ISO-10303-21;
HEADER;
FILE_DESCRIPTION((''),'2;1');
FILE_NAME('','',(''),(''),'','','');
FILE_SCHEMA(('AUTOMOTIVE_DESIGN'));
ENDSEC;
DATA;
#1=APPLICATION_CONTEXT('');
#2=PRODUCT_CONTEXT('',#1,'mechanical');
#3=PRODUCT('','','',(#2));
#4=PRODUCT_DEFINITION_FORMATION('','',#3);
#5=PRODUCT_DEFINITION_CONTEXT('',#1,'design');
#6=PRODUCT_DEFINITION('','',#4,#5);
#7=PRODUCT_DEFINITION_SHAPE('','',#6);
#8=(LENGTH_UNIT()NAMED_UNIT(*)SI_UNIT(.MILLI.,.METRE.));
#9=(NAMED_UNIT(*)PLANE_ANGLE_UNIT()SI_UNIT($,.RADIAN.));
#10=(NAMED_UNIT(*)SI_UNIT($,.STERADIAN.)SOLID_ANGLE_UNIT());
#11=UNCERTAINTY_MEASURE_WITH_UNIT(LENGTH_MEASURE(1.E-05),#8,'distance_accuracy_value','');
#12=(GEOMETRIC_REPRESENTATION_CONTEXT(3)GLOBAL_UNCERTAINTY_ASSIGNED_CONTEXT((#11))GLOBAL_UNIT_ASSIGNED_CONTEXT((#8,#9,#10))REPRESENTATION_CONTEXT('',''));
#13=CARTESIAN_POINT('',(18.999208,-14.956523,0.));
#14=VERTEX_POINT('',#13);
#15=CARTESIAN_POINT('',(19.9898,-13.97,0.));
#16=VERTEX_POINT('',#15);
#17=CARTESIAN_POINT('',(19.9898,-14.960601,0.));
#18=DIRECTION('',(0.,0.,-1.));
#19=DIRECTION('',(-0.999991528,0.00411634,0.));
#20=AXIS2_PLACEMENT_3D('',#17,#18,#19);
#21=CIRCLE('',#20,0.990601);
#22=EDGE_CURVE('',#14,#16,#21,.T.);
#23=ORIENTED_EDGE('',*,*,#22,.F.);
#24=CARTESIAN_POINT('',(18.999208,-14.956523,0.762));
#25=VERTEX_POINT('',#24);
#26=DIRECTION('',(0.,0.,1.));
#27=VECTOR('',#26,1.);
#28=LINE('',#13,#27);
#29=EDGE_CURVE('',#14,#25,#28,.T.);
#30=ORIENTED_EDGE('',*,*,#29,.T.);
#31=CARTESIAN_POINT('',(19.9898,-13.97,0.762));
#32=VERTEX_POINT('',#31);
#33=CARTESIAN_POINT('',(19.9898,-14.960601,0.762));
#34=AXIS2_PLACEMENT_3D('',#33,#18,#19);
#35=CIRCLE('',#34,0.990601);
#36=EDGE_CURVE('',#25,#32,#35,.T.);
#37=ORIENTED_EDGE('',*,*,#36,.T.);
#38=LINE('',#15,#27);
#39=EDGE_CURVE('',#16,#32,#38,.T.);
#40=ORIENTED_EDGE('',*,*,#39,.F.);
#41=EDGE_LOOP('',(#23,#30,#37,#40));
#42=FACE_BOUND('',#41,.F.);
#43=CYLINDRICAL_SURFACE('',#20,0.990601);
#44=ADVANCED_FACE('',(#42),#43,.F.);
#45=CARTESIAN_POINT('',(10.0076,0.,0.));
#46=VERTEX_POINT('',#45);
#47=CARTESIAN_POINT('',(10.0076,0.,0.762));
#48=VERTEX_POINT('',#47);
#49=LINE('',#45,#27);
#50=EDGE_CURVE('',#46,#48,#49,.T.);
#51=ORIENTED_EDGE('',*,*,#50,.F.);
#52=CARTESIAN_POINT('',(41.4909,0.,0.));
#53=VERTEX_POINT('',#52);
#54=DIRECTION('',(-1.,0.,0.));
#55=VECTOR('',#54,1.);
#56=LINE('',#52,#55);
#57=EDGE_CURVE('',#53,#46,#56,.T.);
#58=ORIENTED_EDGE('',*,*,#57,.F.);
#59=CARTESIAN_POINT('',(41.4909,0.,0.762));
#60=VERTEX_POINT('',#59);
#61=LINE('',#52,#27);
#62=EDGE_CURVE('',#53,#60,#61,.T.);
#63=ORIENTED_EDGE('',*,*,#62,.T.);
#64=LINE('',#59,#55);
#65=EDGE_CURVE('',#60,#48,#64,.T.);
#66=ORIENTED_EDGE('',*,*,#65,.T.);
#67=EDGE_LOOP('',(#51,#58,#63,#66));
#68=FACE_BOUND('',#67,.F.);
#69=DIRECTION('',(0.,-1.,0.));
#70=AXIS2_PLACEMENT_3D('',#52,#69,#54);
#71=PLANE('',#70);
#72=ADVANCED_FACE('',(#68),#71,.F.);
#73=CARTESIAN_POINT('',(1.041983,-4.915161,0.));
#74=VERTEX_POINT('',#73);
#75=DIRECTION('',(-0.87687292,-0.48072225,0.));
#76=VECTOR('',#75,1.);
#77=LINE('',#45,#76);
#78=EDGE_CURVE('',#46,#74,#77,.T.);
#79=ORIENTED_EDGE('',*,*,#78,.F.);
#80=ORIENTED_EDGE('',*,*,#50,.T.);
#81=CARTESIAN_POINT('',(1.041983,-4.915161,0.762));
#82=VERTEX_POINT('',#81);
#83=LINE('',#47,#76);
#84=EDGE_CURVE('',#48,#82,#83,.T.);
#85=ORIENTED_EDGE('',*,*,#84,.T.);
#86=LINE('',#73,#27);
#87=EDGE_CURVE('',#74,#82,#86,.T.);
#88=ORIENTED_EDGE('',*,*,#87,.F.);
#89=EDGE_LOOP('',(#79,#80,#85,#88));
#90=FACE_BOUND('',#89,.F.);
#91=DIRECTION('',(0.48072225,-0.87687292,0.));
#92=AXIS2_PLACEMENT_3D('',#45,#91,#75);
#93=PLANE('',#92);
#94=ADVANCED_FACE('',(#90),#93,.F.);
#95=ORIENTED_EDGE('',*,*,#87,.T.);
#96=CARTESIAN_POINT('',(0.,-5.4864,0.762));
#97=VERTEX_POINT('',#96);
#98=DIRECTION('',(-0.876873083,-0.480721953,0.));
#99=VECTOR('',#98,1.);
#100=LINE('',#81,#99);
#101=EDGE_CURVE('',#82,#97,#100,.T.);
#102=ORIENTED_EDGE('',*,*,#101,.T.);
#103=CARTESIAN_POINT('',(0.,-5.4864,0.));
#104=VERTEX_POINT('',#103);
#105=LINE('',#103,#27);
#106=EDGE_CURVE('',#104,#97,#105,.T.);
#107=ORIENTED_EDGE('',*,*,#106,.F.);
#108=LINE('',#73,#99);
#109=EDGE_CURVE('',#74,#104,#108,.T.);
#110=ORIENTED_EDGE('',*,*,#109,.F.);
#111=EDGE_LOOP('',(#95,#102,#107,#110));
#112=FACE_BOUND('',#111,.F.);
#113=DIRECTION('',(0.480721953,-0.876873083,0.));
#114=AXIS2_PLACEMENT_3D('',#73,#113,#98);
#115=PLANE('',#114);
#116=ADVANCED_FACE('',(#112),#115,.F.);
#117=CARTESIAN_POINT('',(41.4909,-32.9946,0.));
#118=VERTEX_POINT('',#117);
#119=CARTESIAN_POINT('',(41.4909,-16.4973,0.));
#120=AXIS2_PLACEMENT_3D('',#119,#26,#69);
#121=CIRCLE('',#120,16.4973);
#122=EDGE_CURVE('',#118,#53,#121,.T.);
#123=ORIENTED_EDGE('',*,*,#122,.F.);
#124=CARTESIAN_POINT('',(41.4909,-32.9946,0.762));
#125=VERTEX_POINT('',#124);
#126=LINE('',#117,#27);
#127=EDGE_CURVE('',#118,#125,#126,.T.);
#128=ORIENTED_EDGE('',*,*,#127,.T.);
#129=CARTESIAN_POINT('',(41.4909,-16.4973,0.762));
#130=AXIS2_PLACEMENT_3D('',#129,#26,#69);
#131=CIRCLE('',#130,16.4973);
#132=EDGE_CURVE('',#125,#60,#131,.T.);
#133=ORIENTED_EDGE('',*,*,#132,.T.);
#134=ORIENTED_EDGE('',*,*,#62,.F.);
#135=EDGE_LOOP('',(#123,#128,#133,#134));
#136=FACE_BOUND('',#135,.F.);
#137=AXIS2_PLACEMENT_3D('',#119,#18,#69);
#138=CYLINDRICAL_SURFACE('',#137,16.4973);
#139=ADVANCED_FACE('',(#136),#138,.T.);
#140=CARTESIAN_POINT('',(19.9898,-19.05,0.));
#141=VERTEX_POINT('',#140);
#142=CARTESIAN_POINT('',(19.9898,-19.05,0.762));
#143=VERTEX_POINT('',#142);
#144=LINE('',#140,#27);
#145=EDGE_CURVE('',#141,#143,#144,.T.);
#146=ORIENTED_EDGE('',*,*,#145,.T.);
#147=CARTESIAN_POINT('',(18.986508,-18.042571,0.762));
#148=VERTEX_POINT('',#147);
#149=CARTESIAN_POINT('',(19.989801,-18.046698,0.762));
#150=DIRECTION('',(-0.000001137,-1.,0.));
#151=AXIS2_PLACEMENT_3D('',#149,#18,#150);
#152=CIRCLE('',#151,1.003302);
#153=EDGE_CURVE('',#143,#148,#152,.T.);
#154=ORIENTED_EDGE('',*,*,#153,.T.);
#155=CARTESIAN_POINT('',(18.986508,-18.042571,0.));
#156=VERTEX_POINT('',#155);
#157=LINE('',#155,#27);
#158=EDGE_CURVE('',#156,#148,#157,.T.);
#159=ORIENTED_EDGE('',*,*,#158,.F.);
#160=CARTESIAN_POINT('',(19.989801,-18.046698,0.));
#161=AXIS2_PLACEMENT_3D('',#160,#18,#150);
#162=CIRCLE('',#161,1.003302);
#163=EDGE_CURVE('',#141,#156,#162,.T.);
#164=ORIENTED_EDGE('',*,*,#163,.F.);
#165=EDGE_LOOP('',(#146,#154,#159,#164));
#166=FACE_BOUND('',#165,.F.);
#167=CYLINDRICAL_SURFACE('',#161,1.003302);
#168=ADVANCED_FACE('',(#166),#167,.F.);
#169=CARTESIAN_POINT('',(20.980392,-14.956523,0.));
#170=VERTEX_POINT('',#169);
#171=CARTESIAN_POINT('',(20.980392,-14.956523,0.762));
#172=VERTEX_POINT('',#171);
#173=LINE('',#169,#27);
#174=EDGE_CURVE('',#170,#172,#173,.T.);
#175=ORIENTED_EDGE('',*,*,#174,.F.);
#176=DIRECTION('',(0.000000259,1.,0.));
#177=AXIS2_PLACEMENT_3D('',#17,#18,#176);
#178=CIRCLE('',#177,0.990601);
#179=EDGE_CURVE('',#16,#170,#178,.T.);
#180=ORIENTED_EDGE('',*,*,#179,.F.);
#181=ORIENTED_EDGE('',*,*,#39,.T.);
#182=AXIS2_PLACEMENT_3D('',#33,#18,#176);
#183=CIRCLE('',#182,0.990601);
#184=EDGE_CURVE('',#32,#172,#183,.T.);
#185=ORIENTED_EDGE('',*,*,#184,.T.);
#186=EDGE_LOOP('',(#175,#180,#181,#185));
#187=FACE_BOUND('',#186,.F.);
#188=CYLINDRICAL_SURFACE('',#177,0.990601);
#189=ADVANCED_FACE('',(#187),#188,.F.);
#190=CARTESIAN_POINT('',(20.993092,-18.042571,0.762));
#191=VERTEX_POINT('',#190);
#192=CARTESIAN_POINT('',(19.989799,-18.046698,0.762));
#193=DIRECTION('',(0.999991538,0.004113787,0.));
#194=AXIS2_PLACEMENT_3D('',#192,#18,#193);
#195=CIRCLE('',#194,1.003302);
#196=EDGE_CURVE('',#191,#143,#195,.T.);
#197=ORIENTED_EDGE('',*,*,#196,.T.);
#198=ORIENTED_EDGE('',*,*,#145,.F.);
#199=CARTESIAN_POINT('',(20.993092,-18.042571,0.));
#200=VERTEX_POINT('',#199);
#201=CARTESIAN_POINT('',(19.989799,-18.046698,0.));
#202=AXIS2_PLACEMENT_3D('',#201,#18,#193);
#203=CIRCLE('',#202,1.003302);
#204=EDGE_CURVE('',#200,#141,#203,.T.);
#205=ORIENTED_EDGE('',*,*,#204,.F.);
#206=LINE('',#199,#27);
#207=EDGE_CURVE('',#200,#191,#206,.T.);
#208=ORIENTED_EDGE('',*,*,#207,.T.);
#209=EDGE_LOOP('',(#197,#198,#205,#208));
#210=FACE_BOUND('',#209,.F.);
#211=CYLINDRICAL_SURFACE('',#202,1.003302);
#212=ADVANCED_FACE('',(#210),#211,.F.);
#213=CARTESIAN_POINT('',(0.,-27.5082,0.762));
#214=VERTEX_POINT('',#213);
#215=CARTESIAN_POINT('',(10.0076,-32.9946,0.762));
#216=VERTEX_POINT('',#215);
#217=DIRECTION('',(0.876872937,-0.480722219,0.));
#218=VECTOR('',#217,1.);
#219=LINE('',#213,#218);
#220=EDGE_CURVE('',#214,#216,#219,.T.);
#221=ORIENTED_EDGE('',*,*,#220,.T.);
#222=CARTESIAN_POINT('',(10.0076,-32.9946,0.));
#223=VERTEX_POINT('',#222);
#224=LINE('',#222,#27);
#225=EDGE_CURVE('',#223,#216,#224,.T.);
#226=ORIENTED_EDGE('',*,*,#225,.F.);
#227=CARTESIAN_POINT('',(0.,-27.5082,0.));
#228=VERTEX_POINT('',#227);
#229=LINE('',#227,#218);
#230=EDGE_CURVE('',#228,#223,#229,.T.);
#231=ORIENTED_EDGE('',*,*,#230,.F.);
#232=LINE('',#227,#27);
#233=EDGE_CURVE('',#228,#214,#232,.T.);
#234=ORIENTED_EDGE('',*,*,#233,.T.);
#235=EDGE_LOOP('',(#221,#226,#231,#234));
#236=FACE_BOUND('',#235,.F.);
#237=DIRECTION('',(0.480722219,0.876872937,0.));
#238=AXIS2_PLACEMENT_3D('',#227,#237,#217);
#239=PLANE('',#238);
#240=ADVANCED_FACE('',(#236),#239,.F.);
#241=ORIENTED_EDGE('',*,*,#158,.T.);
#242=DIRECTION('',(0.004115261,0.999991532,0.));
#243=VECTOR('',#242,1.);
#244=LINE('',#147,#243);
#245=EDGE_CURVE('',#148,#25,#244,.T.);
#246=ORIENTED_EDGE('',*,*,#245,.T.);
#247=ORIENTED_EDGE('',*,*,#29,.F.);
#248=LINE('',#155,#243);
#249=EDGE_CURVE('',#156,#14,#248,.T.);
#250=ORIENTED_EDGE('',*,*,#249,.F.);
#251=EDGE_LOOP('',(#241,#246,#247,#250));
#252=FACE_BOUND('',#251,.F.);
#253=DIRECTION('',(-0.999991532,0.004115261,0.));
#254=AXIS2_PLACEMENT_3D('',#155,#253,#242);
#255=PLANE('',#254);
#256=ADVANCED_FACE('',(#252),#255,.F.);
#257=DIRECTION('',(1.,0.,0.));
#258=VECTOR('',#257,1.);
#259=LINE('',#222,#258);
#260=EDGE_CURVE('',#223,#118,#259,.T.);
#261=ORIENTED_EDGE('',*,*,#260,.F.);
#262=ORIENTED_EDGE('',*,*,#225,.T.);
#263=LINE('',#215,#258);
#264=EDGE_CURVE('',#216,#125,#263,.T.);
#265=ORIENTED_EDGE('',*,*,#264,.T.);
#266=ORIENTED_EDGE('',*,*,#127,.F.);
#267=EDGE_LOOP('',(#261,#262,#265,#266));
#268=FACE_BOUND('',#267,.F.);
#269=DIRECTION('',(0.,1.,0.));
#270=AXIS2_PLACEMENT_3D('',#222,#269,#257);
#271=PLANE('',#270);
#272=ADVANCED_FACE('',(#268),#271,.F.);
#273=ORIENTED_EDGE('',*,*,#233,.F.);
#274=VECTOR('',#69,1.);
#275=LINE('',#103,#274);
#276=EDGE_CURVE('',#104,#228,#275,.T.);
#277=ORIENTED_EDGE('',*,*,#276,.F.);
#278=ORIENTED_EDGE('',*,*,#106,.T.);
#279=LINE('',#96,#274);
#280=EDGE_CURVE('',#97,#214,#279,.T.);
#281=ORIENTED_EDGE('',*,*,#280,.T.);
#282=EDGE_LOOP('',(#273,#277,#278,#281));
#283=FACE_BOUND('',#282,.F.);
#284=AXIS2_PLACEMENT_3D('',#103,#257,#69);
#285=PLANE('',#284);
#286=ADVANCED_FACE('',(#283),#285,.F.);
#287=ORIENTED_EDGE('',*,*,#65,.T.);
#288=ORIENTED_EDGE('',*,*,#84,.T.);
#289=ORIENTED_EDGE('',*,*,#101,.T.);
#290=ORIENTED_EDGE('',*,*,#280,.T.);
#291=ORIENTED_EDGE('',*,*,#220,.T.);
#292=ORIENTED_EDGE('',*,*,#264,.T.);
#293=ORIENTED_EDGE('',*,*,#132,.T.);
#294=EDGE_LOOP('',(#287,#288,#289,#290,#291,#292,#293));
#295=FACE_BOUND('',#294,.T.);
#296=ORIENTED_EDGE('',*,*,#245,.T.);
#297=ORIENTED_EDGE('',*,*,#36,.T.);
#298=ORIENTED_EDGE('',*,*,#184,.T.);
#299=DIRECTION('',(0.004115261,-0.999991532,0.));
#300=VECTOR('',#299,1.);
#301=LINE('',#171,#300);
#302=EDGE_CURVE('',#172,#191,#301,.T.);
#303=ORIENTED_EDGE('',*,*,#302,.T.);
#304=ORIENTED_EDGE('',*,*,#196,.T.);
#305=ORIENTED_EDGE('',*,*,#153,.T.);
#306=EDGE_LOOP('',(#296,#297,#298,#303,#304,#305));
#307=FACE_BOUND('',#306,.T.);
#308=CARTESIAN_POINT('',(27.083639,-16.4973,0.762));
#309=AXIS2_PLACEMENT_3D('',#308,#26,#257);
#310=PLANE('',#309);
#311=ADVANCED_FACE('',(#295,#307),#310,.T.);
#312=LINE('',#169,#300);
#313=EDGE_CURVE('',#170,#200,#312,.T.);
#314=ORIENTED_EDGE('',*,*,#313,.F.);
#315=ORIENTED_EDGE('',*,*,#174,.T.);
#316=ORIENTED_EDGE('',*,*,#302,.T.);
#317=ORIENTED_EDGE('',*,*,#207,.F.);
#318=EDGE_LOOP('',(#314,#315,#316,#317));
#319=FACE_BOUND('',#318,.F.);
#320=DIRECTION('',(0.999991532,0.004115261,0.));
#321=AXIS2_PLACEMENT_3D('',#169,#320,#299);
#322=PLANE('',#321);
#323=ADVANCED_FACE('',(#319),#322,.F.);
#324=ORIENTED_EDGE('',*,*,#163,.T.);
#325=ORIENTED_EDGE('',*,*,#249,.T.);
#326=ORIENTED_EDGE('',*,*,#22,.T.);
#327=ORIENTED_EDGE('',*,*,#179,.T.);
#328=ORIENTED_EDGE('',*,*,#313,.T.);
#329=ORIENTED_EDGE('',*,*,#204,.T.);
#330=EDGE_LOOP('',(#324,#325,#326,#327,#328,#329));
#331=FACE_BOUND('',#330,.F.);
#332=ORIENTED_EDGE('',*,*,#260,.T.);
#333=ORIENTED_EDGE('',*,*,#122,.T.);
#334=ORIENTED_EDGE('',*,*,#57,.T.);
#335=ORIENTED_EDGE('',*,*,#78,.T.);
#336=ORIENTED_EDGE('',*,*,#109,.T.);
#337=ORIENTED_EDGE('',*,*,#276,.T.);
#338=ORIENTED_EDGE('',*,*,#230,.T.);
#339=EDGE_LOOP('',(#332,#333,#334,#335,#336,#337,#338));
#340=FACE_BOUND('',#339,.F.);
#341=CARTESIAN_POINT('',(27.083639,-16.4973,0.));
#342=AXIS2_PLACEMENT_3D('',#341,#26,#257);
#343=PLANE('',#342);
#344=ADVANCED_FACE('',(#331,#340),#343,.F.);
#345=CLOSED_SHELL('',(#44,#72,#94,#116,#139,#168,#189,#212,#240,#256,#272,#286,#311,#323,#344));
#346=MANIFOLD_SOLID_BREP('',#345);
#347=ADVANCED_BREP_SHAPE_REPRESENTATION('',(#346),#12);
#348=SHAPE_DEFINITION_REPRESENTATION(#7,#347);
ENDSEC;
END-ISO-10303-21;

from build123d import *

# Parameters (mm, degrees)
F1_DEPTH = 0.762


with BuildPart() as f1:
    # F0 (on Top) → F1 (new body)
    with BuildSketch(Plane.XY):
        with BuildLine():
            Line((41.4909, 0), (10.0076, 0))
            Line((10.0076, 0), (1.041983, -4.915161))
            Line((1.041983, -4.915161), (0, -5.4864))
            Line((0, -5.4864), (0, -6.674694))
            Line((0, -6.674694), (0, -27.5082))
            Line((0, -27.5082), (10.0076, -32.9946))
            Line((10.0076, -32.9946), (41.4909, -32.9946))
            ThreePointArc((41.4909, -32.9946), (57.9882, -16.4973), (41.4909, 0))
        make_face()
        with BuildLine():
            Line((18.986508, -18.042571), (18.999208, -14.956523))
            ThreePointArc((18.999208, -14.956523), (19.290783, -14.2587), (19.9898, -13.97))
            ThreePointArc((19.9898, -13.97), (20.688817, -14.2587), (20.980392, -14.956523))
            Line((20.980392, -14.956523), (20.993092, -18.042571))
            ThreePointArc((20.993092, -18.042571), (20.700698, -18.754679), (19.9898, -19.05))
            ThreePointArc((19.9898, -19.05), (19.278902, -18.754679), (18.986508, -18.042571))
        make_face(mode=Mode.SUBTRACT)
    extrude(amount=F1_DEPTH)


solid = f1.part
